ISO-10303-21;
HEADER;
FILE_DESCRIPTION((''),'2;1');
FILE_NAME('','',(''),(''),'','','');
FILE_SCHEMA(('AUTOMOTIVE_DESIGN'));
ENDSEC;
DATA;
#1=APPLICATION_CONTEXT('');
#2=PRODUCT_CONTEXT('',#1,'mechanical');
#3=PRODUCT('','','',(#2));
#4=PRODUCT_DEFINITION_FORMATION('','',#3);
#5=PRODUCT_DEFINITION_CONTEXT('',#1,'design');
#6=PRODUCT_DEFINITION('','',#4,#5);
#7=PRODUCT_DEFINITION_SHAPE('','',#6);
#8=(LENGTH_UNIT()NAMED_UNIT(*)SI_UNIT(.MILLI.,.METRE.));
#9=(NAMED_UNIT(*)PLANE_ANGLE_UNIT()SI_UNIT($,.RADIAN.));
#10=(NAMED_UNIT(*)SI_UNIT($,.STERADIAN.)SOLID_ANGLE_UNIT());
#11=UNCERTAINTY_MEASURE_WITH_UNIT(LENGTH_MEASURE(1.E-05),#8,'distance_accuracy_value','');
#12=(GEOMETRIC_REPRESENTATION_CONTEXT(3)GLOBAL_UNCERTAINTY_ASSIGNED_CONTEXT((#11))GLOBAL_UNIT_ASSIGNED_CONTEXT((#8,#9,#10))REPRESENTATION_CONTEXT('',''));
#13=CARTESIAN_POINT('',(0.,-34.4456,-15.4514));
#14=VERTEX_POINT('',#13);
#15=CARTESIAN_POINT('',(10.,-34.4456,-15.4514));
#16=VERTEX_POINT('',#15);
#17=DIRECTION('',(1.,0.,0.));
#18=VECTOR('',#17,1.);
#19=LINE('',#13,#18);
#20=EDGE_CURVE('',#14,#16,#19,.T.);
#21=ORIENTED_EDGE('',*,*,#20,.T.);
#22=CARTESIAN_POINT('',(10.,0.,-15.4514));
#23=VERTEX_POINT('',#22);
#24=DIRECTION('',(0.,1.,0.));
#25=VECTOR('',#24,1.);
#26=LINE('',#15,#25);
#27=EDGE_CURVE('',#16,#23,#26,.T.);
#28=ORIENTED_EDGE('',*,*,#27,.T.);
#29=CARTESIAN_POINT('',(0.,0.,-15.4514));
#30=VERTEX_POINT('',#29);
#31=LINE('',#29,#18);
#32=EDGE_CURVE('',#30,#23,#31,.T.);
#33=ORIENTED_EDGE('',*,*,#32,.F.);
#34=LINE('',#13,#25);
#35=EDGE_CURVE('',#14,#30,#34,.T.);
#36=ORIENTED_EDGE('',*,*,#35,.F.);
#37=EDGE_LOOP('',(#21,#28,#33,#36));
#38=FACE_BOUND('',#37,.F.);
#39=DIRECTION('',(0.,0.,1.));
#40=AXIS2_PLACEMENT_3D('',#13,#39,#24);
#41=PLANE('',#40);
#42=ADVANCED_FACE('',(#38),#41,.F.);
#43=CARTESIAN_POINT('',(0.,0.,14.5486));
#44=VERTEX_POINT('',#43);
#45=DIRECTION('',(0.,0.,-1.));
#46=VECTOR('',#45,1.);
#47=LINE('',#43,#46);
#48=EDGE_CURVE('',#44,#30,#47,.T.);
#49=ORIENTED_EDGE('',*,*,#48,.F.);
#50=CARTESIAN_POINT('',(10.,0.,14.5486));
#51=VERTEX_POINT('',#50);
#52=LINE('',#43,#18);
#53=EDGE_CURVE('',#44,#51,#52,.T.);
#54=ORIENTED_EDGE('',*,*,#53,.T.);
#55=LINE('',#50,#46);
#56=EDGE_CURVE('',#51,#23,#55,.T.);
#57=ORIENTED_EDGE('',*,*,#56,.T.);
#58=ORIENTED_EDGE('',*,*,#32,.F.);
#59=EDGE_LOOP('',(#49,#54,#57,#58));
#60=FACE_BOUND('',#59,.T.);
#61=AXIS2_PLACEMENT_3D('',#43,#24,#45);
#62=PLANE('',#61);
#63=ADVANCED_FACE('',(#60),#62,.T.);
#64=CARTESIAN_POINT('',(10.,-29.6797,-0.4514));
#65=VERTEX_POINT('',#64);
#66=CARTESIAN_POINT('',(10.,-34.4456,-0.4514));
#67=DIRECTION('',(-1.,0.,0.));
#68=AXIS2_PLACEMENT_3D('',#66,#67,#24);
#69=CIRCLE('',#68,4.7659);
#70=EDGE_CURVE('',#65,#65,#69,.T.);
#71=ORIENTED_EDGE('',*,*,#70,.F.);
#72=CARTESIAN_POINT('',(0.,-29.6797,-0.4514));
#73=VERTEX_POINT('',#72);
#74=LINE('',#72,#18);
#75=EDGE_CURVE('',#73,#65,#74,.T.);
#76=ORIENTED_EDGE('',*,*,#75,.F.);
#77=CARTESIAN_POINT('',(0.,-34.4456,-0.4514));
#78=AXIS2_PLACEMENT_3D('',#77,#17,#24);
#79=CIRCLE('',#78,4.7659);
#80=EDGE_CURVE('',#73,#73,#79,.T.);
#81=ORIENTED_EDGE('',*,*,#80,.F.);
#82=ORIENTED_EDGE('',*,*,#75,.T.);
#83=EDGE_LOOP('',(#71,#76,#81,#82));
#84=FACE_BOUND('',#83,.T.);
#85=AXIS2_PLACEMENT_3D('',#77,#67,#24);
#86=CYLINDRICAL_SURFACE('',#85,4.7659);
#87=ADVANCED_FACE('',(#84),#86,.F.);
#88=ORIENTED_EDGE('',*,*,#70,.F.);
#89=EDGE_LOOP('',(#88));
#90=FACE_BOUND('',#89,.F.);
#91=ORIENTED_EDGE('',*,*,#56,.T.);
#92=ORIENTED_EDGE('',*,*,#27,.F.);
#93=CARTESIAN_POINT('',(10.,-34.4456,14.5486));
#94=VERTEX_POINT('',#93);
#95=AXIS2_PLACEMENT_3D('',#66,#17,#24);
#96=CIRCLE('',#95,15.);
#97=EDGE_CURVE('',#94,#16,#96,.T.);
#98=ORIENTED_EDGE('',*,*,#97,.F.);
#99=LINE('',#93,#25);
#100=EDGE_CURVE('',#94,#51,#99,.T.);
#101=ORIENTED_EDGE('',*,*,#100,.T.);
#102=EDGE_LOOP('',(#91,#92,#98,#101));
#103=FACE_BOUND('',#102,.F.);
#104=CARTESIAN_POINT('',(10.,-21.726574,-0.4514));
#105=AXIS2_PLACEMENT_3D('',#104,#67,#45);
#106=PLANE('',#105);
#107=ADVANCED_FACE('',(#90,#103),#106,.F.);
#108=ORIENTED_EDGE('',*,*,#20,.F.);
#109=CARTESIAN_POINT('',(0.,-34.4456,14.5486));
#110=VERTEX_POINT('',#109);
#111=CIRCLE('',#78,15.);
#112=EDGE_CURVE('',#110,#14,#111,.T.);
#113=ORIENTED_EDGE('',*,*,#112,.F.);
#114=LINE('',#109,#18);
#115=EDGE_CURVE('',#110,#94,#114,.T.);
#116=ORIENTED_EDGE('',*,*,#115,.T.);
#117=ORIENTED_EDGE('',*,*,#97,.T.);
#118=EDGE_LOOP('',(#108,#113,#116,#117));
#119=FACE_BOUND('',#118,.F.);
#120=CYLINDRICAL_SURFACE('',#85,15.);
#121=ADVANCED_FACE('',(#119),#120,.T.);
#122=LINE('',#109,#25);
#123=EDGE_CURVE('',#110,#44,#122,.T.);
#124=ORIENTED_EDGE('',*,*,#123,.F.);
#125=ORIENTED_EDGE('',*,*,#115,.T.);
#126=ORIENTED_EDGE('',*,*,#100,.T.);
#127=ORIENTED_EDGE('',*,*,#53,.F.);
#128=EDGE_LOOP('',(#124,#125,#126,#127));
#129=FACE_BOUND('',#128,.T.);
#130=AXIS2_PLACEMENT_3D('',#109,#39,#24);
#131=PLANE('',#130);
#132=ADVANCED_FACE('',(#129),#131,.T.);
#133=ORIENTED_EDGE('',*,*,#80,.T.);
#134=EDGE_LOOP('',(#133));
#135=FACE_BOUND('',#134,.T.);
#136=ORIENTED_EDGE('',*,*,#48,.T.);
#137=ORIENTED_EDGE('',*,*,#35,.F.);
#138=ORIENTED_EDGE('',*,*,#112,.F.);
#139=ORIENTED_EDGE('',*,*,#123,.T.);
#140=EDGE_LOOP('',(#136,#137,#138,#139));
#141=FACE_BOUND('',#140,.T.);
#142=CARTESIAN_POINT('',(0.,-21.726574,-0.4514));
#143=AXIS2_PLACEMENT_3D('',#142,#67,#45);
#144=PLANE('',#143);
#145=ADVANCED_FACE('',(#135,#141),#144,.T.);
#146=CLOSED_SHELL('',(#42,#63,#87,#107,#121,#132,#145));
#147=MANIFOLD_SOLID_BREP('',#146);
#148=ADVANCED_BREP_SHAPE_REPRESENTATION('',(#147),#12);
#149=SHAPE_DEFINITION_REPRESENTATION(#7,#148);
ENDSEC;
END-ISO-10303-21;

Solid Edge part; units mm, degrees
sketch "Sketch1" plane through (0, 0, 0) normal (1, 0, 0) x (0, 1, 0)
  line L0 (-34.4456, 14.5486) -> (0, 14.5486)
  line L1 (0, 14.5486) -> (0, -15.4514)
  line L2 (-34.4456, -15.4514) -> (0, -15.4514)
  arc A0 (-34.4456, 14.5486) -> (-34.4456, -15.4514) centre (-34.4456, -0.4514) ccw
extrude "Protrusion1" add sketch "Sketch1" along normal blind 10
sketch "Sketch2" plane through (0, 0, 0) normal (1, 0, 0) x (0, 1, 0)
  circle A0 centre (-34.4456, -0.4514) radius 4.7659
  dimension "D1" = 34.4456
  dimension "D2" = 15
extrude "Cutout1" cut sketch "Sketch2" along normal blind 53.975
